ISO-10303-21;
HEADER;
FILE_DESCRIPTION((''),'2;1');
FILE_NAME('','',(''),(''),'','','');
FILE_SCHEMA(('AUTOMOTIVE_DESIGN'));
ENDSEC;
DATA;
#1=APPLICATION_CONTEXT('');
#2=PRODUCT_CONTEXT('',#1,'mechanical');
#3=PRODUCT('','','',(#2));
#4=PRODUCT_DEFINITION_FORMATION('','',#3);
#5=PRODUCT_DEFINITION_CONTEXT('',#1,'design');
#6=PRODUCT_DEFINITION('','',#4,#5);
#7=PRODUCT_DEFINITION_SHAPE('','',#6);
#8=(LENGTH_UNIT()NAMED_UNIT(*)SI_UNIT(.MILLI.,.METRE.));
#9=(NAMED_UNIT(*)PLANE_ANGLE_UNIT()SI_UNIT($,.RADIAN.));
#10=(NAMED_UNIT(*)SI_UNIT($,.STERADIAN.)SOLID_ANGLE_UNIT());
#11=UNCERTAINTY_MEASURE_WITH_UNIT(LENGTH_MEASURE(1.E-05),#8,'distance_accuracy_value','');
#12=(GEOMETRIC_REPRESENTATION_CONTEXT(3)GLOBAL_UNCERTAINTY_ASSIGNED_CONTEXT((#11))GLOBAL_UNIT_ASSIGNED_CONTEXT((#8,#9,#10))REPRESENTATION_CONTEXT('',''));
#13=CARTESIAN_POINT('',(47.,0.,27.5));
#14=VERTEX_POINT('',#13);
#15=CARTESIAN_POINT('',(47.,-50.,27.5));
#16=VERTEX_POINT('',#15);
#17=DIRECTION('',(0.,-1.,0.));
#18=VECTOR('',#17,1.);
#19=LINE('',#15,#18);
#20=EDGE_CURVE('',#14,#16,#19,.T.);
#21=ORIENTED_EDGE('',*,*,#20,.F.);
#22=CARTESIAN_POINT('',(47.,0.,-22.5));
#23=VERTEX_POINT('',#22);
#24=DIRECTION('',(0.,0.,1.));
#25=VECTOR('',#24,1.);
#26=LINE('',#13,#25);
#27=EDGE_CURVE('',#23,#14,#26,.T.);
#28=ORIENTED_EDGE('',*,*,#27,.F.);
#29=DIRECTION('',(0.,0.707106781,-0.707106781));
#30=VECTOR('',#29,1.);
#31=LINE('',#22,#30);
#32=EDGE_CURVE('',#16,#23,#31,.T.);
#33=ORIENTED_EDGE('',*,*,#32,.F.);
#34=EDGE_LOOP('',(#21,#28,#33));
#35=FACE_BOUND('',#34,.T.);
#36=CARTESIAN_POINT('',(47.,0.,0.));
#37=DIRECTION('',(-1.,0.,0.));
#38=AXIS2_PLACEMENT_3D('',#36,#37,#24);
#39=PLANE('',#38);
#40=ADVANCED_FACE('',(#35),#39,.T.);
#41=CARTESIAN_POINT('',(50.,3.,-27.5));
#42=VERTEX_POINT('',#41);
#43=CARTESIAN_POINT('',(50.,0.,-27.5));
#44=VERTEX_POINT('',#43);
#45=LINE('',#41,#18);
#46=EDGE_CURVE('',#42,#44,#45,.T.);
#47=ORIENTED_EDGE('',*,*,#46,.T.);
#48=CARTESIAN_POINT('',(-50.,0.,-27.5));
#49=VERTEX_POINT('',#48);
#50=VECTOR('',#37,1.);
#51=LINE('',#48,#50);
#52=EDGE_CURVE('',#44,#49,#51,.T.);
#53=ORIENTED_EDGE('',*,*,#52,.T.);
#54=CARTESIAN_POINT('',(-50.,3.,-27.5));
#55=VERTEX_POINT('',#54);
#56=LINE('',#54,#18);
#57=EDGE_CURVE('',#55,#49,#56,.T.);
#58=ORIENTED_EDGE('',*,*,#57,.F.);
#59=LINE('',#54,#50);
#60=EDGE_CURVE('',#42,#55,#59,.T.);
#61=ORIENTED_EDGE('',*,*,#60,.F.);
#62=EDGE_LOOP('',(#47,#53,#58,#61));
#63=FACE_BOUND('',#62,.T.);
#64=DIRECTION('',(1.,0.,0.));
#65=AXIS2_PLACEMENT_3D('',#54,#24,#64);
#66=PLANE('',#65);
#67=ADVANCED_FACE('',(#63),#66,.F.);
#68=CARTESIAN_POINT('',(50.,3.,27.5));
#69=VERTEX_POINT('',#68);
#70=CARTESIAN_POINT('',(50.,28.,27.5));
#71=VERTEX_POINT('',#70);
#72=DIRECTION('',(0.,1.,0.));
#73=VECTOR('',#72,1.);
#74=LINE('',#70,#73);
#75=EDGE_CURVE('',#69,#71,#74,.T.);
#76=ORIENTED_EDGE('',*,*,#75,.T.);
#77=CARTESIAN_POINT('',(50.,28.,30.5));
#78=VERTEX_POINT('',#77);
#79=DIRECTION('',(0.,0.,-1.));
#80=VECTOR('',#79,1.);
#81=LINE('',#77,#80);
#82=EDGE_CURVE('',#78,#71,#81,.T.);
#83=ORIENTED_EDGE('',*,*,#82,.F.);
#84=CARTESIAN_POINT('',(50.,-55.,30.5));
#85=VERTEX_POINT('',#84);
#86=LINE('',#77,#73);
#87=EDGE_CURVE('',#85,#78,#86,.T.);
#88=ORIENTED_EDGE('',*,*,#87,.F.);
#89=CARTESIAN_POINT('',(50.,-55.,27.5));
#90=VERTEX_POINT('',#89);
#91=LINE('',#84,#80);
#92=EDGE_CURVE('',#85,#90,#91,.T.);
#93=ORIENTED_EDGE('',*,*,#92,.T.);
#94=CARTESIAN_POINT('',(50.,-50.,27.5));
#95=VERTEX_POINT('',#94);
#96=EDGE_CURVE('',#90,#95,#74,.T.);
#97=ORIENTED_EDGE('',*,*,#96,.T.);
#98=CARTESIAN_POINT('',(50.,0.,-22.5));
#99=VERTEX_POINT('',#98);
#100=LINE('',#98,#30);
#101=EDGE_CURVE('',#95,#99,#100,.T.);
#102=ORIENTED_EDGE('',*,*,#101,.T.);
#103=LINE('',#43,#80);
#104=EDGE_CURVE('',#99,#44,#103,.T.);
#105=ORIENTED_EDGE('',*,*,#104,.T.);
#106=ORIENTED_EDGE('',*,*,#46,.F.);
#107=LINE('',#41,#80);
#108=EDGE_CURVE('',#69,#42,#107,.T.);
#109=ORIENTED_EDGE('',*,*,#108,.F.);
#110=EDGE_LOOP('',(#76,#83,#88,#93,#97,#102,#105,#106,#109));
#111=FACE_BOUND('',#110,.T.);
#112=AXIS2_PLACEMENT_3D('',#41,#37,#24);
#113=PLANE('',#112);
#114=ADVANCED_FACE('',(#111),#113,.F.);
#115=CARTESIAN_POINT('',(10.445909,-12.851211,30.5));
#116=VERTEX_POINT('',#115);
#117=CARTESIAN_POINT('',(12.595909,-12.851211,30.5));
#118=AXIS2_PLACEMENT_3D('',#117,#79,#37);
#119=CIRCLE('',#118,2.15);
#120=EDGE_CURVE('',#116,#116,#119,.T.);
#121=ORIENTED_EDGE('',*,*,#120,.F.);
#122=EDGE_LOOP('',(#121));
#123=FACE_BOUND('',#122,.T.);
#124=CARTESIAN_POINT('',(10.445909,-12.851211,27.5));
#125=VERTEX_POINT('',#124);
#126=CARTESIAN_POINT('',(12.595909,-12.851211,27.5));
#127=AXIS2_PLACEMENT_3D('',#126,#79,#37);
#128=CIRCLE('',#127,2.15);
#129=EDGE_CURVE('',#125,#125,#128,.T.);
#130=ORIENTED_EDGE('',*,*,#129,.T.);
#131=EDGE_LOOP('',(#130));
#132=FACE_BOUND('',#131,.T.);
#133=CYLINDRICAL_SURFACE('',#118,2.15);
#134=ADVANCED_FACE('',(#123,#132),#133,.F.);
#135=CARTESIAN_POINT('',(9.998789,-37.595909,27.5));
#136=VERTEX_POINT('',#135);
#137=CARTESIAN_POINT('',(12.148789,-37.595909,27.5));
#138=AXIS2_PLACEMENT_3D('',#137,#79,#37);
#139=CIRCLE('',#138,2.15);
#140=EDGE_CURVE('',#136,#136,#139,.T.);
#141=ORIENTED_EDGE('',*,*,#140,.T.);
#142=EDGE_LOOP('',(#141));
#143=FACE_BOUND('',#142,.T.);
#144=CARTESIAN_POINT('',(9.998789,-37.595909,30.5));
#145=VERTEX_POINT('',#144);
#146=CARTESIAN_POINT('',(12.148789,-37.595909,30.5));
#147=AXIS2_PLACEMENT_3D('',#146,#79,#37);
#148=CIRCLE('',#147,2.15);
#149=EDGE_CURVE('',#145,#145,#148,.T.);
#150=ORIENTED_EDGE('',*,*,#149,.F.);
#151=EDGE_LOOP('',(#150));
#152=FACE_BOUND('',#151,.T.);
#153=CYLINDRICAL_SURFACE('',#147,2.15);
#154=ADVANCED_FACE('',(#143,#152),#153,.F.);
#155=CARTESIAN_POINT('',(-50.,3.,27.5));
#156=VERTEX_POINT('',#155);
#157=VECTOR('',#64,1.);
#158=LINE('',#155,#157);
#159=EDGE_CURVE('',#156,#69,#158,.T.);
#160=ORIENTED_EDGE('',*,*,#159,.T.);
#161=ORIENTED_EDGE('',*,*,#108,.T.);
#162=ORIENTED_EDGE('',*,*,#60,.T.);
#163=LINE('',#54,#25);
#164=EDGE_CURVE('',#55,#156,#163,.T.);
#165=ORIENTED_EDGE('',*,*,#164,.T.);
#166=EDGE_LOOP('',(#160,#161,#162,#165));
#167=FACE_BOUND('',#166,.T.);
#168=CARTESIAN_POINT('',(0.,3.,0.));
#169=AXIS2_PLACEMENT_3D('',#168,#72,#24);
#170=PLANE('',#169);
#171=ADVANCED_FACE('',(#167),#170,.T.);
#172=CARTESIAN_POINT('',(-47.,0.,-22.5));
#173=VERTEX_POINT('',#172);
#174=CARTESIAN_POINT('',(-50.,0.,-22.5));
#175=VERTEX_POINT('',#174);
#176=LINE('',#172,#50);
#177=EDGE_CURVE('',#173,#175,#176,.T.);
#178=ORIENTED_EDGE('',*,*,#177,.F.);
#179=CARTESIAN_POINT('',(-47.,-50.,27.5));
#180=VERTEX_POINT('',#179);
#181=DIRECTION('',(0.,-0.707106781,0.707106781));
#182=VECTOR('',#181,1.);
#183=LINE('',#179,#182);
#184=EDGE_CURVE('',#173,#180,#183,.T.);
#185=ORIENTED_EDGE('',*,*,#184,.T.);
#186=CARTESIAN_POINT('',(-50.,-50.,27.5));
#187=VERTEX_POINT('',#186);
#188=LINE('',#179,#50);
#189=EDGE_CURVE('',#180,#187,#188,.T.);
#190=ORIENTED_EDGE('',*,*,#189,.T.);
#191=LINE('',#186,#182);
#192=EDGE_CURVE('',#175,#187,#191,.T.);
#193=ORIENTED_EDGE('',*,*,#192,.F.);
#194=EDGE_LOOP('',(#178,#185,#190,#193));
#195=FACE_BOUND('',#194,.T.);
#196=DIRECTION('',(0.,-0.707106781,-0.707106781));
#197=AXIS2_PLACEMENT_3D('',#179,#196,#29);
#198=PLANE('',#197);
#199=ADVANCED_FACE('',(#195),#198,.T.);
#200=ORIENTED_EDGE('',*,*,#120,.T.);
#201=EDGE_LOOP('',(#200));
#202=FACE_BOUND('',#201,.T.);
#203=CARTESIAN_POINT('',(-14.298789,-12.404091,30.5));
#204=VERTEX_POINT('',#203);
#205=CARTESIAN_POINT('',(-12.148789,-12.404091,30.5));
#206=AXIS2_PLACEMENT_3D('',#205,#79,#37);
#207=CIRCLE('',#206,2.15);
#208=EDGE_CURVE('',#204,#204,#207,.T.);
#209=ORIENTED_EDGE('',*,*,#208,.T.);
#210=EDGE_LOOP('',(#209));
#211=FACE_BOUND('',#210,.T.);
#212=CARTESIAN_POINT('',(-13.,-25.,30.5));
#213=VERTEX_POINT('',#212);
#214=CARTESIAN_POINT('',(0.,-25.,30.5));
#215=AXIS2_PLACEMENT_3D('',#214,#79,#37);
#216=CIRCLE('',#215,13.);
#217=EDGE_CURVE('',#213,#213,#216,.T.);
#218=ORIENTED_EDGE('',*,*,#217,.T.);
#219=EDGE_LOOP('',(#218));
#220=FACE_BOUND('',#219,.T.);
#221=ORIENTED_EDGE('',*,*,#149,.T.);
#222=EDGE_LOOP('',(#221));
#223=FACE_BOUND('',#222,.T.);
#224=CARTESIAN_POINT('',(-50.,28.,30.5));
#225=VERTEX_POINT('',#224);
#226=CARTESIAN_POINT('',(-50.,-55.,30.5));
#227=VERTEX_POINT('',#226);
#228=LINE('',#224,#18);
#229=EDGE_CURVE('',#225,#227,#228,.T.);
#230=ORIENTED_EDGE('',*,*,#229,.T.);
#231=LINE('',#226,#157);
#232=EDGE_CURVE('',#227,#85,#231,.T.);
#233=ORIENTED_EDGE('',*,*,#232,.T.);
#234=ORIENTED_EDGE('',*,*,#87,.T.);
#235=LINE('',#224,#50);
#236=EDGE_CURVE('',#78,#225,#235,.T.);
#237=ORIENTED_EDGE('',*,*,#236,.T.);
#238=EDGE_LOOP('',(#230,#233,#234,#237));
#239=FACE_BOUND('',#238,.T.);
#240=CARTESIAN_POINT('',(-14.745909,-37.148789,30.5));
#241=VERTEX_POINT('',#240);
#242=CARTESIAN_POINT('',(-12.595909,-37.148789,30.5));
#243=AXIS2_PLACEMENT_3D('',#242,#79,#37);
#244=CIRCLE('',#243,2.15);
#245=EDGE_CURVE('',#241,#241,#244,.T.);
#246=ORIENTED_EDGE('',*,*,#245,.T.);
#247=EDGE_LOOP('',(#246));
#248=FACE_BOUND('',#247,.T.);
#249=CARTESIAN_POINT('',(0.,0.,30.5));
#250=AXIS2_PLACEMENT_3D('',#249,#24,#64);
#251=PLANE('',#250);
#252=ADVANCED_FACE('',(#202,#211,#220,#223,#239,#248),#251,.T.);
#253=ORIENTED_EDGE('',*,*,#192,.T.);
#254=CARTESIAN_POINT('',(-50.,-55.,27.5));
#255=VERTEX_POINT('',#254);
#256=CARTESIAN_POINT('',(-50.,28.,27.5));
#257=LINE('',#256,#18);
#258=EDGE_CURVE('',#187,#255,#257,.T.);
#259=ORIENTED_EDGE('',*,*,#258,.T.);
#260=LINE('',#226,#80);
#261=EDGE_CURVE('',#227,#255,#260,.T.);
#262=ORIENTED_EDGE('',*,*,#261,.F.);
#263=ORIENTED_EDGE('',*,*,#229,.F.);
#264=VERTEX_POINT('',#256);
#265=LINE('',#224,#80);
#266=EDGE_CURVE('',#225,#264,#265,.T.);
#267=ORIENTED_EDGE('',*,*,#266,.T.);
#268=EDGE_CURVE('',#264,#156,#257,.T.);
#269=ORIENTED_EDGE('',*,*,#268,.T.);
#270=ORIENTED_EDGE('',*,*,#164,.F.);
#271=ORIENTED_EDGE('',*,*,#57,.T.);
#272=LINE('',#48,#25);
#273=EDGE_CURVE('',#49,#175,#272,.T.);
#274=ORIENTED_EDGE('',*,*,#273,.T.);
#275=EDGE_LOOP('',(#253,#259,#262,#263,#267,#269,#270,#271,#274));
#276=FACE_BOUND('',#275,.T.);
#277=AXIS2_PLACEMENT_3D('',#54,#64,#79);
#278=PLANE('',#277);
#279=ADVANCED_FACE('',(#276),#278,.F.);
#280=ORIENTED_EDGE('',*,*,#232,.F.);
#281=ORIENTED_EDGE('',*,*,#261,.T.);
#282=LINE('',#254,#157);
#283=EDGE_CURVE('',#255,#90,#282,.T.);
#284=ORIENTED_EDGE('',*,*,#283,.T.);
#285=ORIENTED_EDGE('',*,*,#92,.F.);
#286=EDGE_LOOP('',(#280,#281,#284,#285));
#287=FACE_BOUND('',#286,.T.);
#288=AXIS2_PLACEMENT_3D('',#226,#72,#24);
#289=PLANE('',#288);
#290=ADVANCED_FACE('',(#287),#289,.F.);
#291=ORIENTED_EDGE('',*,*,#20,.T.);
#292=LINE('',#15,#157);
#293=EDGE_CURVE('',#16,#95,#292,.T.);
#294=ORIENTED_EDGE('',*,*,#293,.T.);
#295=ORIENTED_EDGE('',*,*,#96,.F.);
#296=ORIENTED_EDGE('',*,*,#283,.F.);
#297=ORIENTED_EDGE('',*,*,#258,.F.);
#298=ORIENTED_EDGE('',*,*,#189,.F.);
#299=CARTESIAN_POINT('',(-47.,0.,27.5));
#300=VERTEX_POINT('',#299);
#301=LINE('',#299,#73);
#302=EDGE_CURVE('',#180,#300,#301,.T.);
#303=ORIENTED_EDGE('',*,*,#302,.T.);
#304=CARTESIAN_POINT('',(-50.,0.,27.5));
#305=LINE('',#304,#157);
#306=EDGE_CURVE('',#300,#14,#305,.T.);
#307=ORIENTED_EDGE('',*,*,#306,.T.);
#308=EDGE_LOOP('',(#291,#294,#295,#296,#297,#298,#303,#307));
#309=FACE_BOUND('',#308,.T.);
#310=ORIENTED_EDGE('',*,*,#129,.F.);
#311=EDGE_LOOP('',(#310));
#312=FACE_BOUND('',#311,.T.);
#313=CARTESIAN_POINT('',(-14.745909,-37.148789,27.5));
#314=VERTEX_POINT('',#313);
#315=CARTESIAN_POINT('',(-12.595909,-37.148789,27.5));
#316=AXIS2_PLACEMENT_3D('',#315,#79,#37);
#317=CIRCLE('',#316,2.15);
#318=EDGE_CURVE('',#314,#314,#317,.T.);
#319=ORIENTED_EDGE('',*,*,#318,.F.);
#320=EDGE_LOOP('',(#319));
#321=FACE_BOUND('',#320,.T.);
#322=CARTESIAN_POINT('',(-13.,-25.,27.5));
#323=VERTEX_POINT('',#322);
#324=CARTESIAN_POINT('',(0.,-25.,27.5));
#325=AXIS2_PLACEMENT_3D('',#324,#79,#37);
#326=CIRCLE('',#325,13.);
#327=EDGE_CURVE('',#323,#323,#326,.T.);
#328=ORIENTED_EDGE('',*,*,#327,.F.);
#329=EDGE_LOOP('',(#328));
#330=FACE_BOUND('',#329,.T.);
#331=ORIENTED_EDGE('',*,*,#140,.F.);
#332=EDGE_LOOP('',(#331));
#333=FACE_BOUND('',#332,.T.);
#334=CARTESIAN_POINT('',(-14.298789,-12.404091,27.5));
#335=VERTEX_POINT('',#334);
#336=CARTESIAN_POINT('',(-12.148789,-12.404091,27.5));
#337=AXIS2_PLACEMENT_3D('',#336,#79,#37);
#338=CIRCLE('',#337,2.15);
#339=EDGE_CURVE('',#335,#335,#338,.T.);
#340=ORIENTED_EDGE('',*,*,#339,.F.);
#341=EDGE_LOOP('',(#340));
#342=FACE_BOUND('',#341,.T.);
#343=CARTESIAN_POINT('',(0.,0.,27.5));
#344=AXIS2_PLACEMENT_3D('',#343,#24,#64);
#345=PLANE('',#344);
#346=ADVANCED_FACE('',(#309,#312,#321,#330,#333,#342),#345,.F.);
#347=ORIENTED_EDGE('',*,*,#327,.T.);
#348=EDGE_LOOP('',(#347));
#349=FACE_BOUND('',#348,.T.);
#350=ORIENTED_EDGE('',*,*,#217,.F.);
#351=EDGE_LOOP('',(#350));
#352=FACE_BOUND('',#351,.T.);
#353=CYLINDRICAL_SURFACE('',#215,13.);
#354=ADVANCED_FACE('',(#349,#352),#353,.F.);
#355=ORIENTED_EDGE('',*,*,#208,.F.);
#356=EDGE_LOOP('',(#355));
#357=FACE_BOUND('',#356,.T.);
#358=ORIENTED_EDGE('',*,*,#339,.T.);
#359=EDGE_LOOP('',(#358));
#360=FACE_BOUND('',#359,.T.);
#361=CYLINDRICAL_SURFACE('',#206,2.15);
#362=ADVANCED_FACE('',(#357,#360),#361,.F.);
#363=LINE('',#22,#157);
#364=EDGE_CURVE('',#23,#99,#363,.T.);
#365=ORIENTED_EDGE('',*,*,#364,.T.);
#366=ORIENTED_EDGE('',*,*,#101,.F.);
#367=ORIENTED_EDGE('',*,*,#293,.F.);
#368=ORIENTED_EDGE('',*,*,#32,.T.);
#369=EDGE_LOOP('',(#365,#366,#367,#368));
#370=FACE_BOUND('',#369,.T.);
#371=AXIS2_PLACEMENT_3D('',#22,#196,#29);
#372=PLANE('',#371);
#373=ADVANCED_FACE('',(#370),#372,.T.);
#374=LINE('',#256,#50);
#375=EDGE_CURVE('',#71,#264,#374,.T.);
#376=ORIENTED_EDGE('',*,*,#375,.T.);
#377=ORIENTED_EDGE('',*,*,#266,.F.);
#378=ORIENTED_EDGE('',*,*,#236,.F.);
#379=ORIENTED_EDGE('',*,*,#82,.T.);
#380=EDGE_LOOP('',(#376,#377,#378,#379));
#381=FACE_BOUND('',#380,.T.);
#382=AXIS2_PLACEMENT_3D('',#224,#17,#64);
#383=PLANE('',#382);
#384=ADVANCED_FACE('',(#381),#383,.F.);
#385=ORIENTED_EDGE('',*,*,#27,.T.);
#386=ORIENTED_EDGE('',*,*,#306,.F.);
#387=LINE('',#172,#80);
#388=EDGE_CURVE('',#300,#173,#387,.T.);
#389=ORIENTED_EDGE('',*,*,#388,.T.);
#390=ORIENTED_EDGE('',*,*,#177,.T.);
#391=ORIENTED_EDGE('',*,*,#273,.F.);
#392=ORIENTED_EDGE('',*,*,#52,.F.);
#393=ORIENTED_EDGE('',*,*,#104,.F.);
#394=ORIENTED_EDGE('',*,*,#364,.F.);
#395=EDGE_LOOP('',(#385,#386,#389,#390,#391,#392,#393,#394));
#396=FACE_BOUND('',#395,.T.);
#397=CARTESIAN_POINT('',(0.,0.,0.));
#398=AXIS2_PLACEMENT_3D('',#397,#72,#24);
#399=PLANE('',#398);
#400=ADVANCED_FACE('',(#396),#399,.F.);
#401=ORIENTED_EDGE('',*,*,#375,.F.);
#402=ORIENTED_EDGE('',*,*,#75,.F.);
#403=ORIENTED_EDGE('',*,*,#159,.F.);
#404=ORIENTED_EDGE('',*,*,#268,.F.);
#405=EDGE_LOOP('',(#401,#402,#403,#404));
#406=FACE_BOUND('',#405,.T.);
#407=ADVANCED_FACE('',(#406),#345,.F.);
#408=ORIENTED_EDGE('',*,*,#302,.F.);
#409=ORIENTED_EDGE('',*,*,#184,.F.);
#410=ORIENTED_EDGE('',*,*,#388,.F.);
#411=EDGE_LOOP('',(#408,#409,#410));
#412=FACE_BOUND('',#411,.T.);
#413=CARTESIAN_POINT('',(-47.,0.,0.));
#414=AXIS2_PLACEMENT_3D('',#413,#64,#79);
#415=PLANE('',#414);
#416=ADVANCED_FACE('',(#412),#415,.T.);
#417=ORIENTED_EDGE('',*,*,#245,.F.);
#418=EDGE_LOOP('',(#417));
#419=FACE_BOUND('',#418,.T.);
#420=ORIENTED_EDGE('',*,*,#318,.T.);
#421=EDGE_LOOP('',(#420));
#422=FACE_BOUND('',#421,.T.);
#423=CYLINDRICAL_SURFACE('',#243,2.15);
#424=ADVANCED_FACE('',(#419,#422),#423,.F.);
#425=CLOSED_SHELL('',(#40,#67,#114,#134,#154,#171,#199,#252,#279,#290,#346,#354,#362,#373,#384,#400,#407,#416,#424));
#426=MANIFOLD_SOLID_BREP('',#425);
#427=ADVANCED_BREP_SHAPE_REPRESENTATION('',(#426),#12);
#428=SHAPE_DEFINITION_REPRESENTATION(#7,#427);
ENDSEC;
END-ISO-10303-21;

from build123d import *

# Parameters (mm, degrees)
SKETCH1_W           = 100
SKETCH1_H           = 55
BOSS_EXTRUDE1_DEPTH = 3
SKETCH2_W           = 100
SKETCH2_H           = 83
BOSS_EXTRUDE2_DEPTH = 3
BOSS_EXTRUDE3_DEPTH = 3
BOSS_EXTRUDE4_DEPTH = 3
SKETCH5_R           = 13
SKETCH5_R_2         = 2.15
CUT_EXTRUDE1_DEPTH  = 4


with BuildPart() as part:
    # Sketch1 → Boss-Extrude1 (new body)
    with BuildSketch(Plane(origin=(0, 0, 0), x_dir=(1, 0, 0), z_dir=(0, 1, 0))):
        Rectangle(SKETCH1_W, SKETCH1_H)
    extrude(amount=BOSS_EXTRUDE1_DEPTH)

    # Sketch2 → Boss-Extrude2 (add)
    with BuildSketch(Plane.XY.offset(27.5)):
        with Locations((0, -13.5)):
            Rectangle(SKETCH2_W, SKETCH2_H)
    extrude(amount=BOSS_EXTRUDE2_DEPTH)

    # Sketch3 → Boss-Extrude3 (add)
    with BuildSketch(Plane(origin=(50, 0, 0), x_dir=(0, 0, -1), z_dir=(1, 0, 0))):
        Polygon((-27.5, 0), (22.5, 0), (-27.5, -50), align=None)
    extrude(amount=-BOSS_EXTRUDE3_DEPTH)

    # Sketch4 → Boss-Extrude4 (add)
    with BuildSketch(Plane.ZY.offset(50)):
        Polygon((27.5, 0), (27.5, -50), (-22.5, 0), align=None)
    extrude(amount=-BOSS_EXTRUDE4_DEPTH)

    # Sketch5 → Cut-Extrude1 (cut, through all)
    with BuildSketch(Plane(origin=(0, 0, 27.5), x_dir=(-1, 0, 0), z_dir=(0, 0, -1))):
        with Locations((0, -25)):
            Circle(SKETCH5_R)
        with Locations((12.148789351, -12.404091248)):
            Circle(SKETCH5_R_2)
        with Locations((12.595908752, -37.148789351)):
            Circle(SKETCH5_R_2)
        with Locations((-12.148789351, -37.595908752)):
            Circle(SKETCH5_R_2)
        with Locations((-12.595908752, -12.851210649)):
            Circle(SKETCH5_R_2)
    extrude(amount=-CUT_EXTRUDE1_DEPTH, mode=Mode.SUBTRACT)


solid = part.part
